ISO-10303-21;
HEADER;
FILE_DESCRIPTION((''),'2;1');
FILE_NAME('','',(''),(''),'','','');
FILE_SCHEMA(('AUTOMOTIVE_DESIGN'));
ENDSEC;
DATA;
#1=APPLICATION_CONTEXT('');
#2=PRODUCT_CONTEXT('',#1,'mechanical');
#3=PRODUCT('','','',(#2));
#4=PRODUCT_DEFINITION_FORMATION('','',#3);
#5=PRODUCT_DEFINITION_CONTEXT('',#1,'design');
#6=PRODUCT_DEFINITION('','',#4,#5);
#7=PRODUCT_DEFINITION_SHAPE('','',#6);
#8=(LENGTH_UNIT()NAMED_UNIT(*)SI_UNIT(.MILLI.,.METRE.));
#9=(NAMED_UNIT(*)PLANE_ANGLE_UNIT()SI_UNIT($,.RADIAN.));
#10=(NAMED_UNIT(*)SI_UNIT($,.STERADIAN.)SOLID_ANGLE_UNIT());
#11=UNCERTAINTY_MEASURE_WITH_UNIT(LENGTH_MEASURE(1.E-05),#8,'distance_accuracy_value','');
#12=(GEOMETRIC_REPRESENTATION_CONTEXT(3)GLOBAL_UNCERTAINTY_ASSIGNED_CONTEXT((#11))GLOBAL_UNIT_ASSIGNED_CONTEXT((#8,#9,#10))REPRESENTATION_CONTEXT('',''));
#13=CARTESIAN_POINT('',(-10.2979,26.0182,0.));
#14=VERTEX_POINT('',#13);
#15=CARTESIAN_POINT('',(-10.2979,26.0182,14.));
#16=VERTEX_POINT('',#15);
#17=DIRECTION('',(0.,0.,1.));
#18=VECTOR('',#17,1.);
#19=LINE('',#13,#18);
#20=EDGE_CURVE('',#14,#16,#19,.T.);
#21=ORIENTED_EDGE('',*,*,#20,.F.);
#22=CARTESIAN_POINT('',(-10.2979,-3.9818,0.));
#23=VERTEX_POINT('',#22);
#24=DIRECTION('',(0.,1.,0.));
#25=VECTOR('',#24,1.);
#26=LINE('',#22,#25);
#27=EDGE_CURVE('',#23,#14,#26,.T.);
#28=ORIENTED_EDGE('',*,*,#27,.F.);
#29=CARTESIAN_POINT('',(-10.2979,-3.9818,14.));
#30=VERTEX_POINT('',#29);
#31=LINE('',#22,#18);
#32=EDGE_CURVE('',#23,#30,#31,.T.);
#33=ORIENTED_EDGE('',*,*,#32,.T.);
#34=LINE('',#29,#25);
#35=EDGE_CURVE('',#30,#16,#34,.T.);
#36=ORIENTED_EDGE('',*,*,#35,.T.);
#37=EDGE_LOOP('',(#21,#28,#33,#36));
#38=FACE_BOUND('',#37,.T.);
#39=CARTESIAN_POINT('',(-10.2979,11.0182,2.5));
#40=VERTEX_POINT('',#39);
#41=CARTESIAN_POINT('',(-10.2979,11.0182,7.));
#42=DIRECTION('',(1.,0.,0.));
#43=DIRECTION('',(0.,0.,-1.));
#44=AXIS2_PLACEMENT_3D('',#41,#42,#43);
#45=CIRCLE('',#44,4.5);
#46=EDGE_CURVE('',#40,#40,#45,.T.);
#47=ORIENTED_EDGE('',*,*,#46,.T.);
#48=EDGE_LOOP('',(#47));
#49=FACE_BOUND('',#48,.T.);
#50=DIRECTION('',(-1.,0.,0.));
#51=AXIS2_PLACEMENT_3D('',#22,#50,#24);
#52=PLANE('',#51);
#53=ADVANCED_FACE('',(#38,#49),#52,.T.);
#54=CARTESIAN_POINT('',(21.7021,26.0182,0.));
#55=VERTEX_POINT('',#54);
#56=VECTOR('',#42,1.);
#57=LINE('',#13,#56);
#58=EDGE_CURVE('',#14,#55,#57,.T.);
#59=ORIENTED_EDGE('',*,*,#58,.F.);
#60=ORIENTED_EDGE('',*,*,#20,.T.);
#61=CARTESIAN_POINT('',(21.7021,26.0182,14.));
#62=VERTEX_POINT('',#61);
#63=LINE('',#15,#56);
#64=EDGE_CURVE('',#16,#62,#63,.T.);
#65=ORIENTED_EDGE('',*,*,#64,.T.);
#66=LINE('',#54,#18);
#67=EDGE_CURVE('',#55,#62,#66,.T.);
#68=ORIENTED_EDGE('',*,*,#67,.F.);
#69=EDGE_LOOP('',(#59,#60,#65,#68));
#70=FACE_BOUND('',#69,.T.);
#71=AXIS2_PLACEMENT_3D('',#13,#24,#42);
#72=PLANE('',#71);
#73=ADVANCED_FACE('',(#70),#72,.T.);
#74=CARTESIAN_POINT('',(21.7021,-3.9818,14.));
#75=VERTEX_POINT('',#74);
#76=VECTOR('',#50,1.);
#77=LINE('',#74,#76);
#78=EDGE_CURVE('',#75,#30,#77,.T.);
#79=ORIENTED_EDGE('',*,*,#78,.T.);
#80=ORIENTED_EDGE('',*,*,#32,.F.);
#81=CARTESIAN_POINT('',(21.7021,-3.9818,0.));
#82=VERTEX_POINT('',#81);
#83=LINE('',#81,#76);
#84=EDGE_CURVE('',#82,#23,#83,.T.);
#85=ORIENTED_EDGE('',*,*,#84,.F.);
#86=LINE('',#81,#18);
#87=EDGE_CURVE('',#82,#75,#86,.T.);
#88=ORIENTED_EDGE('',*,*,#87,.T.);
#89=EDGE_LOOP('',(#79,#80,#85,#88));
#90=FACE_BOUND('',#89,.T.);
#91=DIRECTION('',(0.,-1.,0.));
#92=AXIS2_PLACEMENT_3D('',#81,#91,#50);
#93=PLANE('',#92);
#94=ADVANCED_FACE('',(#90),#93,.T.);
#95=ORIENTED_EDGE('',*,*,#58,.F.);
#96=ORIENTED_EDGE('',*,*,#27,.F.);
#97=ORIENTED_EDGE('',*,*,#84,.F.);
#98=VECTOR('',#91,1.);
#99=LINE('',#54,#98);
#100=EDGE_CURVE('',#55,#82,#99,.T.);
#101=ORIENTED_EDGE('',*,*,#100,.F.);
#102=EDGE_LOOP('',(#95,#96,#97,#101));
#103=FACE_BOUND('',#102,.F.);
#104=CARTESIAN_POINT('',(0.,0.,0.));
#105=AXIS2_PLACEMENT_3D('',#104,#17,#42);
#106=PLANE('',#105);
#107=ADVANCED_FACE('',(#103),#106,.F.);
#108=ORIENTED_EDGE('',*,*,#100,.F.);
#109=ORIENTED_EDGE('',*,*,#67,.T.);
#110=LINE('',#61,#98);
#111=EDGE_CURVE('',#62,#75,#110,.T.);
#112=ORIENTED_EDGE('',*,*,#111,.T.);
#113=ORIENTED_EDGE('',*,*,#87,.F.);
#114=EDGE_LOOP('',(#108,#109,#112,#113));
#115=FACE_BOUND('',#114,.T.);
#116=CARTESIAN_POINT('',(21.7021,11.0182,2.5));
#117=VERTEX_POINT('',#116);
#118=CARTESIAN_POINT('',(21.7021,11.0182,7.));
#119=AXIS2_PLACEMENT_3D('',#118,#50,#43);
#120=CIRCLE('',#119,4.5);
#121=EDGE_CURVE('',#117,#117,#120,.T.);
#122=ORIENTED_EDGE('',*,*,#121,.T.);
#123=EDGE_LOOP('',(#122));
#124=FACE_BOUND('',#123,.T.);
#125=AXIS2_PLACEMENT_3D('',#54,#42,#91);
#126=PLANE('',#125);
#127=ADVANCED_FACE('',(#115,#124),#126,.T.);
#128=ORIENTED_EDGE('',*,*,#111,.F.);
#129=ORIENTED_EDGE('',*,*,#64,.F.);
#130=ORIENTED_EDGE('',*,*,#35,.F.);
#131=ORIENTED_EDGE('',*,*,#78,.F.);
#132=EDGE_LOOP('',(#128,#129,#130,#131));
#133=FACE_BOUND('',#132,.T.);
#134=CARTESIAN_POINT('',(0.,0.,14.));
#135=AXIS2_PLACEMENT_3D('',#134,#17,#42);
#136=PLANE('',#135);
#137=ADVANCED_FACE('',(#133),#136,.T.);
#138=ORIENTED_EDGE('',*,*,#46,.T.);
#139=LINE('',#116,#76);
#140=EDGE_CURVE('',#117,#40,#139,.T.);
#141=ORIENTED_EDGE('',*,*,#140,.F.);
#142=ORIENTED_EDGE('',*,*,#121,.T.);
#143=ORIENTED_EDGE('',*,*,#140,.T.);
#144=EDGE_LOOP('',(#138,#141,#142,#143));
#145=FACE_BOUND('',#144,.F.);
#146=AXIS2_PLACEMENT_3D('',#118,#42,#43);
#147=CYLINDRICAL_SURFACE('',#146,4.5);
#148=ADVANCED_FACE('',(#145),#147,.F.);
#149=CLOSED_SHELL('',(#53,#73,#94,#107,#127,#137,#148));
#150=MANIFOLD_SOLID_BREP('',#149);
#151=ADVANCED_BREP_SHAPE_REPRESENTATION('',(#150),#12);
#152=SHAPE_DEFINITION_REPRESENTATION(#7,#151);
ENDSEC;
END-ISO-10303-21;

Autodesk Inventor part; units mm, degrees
ref_plane "YZ Plane" through (0, 0, 0) normal (1, 0, 0) x (0, 1, 0)
ref_plane "XZ Plane" through (0, 0, 0) normal (0, 1, 0) x (-1, 0, 0)
ref_plane "XY Plane" through (0, 0, 0) normal (0, 0, 1) x (1, 0, 0)
sketch "Sketch1" plane through (0, 0, 0) normal (0, 0, 1) x (1, 0, 0)
  line L0 (-10.2979, 26.0182) -> (21.7021, 26.0182)
  line L1 (21.7021, 26.0182) -> (21.7021, -3.9818)
  line L2 (21.7021, -3.9818) -> (-10.2979, -3.9818)
  line L3 (-10.2979, -3.9818) -> (-10.2979, 26.0182)
  point P0 (0, 0)
  dimension "d0" = 32
  dimension "d1" = 30
extrude "Extrusion1" add sketch "Sketch1" along normal blind 14
sketch "Sketch2" plane through (21.7021, -3.9818, 0) normal (1, 0, 0) x (0, 0, -1)
  line L0 (-14, 30) -> (0, 0)
  circle A0 centre (-7, 15) radius 4.5
  point P0 (0, 3.9818)
  dimension "d4" = 9
extrude "Extrusion2" cut sketch "Sketch2" against normal through all
properties part number "motor on trail"
